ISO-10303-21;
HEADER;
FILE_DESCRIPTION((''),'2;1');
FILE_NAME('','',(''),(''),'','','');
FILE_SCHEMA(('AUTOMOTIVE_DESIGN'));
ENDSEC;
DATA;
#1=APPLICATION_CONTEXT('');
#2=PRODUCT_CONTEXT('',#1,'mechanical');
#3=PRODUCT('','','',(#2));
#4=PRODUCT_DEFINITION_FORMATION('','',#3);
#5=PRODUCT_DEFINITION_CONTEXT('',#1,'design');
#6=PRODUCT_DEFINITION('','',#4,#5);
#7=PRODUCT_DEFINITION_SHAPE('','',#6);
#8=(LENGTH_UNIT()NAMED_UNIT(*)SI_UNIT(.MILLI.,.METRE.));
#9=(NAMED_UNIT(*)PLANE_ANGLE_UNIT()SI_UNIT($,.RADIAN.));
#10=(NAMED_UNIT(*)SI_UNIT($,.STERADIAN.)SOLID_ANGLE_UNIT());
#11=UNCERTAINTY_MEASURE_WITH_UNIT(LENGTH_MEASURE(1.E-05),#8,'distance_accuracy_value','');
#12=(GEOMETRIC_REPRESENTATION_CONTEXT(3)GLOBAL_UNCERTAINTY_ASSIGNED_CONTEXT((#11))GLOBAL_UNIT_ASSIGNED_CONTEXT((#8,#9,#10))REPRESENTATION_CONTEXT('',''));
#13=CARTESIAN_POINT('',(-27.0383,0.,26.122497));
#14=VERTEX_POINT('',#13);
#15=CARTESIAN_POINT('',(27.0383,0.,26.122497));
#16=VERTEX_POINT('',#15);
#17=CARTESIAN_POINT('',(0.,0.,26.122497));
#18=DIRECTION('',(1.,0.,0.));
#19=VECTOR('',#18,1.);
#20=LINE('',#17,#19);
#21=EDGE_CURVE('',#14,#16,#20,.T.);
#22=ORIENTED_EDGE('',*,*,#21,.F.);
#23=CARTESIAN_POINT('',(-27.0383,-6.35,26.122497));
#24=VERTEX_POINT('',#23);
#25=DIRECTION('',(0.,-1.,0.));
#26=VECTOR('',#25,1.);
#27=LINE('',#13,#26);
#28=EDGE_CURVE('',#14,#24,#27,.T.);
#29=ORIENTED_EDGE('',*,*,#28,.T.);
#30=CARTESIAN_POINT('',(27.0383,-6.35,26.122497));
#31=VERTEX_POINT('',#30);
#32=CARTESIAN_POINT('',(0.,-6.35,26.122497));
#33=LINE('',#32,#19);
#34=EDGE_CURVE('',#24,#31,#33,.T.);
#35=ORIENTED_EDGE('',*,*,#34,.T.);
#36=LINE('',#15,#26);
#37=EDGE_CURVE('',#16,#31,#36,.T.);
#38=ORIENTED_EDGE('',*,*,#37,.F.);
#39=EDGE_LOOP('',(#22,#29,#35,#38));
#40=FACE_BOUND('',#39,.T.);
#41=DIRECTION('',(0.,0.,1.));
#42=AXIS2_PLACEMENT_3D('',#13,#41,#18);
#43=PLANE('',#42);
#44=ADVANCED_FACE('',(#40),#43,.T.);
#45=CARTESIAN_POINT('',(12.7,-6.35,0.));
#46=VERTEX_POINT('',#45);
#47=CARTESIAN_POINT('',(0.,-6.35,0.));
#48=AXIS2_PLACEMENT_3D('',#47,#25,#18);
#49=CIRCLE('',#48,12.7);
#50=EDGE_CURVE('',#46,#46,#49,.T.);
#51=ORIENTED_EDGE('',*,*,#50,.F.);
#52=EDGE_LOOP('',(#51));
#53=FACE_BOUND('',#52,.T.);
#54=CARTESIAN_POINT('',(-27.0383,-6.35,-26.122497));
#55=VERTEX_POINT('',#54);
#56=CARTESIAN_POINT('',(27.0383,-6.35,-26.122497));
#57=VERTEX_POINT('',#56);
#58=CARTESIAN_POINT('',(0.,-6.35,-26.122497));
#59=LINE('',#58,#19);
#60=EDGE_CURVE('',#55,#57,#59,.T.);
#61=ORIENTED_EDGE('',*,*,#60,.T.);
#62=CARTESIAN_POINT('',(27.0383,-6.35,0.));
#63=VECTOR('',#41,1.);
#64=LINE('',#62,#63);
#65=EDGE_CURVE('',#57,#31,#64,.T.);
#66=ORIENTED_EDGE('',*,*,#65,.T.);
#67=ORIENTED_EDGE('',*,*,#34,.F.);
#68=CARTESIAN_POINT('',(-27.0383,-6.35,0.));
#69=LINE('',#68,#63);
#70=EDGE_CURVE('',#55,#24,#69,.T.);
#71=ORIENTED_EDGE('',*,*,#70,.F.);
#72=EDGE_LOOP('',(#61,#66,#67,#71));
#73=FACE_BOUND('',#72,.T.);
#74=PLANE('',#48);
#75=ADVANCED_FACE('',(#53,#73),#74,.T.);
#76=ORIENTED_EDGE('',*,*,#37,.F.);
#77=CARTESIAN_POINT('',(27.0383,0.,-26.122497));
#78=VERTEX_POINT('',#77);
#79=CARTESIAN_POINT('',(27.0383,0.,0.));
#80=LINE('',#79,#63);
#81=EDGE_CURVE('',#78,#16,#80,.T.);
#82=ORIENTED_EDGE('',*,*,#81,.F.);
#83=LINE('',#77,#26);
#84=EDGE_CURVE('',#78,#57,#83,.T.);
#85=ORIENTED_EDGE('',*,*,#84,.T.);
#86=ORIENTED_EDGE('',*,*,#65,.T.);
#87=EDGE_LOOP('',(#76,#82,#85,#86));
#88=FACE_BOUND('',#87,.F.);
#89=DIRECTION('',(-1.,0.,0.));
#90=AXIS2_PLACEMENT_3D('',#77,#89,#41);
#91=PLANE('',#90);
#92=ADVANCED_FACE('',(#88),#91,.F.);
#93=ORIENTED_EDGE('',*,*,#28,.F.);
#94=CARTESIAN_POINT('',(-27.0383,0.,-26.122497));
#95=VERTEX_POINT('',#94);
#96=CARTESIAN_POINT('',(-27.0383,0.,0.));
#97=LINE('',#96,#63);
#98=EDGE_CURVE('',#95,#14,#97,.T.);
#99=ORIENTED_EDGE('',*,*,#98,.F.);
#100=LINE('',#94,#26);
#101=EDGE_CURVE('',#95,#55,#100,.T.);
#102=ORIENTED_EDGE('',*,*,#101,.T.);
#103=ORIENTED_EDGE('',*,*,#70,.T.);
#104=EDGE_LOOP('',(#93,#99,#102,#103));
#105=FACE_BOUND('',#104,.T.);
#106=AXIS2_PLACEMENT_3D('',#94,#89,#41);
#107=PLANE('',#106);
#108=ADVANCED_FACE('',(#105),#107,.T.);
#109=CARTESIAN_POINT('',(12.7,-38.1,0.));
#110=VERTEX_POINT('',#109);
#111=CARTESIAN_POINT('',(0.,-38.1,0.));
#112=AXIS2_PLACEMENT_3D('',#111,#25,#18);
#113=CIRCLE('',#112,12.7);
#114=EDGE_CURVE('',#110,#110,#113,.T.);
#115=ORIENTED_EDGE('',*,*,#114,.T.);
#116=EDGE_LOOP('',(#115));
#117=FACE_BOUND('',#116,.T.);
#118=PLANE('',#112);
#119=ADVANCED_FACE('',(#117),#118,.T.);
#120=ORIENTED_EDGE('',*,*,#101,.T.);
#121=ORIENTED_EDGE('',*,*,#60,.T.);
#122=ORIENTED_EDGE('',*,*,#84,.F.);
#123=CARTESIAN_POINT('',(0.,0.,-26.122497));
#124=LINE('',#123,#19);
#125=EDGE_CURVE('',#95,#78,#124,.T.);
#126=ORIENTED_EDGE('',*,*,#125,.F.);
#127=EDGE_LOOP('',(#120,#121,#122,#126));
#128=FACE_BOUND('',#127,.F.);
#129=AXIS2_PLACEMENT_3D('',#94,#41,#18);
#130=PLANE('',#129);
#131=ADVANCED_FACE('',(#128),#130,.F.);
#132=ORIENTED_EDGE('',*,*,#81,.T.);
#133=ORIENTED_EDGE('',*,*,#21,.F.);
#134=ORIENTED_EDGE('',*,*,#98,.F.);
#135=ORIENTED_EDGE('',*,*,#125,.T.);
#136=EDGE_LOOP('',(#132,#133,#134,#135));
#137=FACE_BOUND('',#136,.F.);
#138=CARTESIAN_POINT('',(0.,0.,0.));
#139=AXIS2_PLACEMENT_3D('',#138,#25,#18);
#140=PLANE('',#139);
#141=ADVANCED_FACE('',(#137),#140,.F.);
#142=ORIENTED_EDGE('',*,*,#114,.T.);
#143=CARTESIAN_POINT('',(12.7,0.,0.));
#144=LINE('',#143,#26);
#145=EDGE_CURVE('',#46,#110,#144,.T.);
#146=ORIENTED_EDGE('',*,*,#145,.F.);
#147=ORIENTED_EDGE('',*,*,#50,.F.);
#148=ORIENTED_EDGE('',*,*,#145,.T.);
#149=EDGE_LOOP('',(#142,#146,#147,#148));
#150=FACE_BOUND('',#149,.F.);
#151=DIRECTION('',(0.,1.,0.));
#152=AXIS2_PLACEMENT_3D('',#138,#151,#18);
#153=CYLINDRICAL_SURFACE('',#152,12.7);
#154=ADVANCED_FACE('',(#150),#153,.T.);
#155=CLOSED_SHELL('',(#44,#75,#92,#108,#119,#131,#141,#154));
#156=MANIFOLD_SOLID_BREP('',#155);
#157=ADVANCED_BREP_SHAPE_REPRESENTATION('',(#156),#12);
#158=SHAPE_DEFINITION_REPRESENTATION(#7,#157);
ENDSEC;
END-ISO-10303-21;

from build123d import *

# Parameters (mm, degrees)
F0_R     = 12.7
F1_DEPTH = 38.1
F0_W     = 54.0766
F0_H     = 52.244994
F2_DEPTH = 6.35


with BuildPart() as f1:
    # F0 (on Front) → F1 (new body)
    with BuildSketch(Plane.XZ):
        Circle(F0_R)
    extrude(amount=F1_DEPTH)

    # F0 (on Front) → F2 (join)
    with BuildSketch(Plane.XZ):
        Rectangle(F0_W, F0_H)
        Circle(F0_R, mode=Mode.SUBTRACT)
    extrude(amount=F2_DEPTH)


solid = f1.part
